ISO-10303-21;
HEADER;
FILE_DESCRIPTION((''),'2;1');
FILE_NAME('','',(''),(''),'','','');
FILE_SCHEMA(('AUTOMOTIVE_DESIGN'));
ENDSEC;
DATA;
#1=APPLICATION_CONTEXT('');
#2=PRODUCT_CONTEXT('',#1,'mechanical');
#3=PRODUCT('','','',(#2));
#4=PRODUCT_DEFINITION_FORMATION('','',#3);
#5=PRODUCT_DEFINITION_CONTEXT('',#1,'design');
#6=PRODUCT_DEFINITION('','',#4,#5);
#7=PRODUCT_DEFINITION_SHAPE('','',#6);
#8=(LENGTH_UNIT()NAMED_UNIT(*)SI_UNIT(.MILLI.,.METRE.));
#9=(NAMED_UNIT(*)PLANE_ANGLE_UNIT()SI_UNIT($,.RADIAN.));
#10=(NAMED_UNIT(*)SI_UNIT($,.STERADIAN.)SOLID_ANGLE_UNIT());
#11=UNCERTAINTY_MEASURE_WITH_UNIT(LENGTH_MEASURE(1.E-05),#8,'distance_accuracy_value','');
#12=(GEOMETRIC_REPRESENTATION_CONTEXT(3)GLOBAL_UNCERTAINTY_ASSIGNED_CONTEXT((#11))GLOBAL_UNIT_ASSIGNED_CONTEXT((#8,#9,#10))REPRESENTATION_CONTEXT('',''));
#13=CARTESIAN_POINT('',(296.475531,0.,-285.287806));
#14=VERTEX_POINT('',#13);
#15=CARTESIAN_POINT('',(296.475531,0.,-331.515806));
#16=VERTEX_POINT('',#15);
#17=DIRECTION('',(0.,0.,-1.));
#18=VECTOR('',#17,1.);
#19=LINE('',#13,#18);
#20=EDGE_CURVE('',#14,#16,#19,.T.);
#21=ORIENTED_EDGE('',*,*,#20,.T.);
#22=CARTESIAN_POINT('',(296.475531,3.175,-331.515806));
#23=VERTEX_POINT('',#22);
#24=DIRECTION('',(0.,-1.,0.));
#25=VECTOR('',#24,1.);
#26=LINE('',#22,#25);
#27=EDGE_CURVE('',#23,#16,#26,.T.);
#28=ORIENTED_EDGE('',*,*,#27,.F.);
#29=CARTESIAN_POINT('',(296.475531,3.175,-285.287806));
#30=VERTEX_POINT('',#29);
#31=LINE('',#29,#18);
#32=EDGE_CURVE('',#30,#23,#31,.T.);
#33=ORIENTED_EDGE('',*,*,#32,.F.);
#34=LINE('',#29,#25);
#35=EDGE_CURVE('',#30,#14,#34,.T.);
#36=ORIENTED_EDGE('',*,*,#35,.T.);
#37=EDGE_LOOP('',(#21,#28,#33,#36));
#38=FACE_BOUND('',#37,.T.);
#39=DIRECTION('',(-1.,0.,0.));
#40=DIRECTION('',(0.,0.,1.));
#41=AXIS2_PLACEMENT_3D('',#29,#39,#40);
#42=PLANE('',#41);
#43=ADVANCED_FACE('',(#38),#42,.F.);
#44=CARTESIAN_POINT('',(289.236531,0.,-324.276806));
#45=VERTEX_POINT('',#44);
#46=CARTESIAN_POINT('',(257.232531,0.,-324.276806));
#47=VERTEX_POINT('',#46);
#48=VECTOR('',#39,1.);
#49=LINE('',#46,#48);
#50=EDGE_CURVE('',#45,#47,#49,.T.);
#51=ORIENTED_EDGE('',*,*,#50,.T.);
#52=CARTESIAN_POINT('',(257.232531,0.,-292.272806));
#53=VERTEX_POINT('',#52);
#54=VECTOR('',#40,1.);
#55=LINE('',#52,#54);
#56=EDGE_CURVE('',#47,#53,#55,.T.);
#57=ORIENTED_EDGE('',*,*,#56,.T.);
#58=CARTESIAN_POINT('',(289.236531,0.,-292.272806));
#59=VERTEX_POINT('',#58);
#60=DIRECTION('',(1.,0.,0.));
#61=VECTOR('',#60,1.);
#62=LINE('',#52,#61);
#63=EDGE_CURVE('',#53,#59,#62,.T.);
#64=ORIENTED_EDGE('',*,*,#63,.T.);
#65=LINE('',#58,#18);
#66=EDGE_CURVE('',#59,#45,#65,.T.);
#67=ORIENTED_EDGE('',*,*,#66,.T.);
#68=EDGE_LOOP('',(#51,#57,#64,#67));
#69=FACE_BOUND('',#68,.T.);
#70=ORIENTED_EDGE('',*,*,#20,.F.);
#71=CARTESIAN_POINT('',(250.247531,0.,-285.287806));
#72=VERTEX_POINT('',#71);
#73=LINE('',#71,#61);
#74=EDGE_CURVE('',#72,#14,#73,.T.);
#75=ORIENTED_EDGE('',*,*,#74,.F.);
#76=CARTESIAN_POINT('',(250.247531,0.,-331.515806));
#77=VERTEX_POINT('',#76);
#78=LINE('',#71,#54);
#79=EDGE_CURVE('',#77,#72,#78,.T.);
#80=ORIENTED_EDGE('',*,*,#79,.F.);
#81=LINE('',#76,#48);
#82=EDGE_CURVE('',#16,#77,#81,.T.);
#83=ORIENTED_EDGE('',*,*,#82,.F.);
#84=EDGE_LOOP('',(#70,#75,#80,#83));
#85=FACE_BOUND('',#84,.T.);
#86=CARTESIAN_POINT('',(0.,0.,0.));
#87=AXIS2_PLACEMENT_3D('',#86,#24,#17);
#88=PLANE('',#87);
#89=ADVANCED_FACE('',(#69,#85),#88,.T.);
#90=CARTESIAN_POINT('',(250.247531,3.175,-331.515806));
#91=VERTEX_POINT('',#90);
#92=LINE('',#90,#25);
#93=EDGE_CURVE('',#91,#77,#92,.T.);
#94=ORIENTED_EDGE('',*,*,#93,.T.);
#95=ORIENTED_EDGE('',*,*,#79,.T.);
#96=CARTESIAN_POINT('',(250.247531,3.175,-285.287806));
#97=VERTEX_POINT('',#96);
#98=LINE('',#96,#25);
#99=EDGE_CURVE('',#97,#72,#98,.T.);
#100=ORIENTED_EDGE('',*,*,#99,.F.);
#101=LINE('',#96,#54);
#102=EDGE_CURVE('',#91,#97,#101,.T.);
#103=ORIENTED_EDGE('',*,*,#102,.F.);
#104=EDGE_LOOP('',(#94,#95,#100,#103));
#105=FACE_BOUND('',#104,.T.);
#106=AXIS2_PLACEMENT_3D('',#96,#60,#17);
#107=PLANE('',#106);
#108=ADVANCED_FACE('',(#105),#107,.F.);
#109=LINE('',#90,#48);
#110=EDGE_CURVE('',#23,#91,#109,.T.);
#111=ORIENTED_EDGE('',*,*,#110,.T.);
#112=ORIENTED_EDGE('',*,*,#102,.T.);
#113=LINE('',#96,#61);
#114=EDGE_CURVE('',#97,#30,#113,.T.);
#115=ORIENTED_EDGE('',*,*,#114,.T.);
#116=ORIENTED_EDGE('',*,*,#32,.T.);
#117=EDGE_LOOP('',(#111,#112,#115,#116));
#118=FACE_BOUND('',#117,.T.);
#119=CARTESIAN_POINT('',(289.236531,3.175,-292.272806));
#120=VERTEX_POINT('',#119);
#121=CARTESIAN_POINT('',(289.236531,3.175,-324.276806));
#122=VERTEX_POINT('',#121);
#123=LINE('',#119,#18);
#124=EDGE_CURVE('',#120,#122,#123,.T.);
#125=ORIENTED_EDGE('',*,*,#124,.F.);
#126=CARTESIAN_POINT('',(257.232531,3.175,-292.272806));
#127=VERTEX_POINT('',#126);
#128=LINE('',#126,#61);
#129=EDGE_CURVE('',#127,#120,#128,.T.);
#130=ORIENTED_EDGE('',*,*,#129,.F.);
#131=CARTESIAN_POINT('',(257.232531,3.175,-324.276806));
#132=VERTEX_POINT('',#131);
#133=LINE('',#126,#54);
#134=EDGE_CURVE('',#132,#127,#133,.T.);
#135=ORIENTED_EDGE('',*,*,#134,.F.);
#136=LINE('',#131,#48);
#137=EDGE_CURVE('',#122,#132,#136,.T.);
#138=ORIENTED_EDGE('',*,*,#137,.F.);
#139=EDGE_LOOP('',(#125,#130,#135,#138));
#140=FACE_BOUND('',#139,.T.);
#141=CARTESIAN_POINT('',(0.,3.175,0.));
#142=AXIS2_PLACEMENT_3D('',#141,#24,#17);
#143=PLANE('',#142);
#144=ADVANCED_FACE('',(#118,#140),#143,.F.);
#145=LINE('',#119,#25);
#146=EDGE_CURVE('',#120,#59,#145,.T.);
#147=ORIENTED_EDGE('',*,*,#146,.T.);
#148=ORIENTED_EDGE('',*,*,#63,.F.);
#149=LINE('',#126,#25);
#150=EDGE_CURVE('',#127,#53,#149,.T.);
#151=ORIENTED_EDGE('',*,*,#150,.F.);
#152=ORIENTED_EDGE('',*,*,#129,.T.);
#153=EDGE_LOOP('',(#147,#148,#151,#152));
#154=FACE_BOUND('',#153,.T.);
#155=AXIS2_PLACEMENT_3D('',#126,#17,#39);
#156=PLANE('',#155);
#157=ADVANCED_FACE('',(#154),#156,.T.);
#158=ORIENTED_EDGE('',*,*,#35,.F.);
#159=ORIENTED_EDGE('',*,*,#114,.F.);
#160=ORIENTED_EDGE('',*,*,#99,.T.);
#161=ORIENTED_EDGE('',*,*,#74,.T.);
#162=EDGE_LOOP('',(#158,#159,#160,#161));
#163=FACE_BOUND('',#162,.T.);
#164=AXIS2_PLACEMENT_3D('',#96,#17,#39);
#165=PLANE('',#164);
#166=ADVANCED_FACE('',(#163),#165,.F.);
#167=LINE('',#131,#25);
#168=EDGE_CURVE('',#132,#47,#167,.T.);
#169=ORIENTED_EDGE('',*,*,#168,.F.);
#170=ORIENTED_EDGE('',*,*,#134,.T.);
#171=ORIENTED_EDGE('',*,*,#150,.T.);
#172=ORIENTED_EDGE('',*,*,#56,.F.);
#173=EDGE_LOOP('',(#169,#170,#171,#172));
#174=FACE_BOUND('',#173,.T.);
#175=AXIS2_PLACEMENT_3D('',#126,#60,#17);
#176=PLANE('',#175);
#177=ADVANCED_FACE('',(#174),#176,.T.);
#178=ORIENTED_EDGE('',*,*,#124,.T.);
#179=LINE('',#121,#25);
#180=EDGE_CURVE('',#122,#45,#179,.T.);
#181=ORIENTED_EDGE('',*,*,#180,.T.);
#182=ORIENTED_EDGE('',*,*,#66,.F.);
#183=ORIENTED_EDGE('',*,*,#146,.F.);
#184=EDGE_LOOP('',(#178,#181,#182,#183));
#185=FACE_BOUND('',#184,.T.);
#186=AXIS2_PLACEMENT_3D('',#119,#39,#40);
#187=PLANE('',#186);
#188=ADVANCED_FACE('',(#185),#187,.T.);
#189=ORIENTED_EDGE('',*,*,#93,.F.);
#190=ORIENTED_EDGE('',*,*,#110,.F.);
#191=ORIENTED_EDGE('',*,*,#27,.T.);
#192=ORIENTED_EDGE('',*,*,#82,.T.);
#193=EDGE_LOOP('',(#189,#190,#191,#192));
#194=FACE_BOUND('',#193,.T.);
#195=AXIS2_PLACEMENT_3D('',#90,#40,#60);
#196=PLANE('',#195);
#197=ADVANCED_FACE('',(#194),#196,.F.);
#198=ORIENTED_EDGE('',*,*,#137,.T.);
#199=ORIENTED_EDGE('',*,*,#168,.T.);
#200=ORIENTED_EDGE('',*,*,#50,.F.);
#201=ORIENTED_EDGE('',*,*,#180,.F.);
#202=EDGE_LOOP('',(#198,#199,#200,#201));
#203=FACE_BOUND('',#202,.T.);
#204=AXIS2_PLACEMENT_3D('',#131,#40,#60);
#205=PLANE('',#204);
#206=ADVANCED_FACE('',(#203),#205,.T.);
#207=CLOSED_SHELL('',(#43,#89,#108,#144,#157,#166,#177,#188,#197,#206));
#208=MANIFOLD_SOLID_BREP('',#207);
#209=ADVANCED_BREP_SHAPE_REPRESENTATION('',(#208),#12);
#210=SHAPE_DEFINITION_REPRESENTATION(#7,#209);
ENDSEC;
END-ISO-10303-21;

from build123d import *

# Parameters (mm, degrees)
SKETCH1_W           = 46.228
SKETCH1_H           = 46.228
SKETCH1_W_2         = 32.004
SKETCH1_H_2         = 32.004
BOSS_EXTRUDE1_DEPTH = 3.175


with BuildPart() as part:
    # Sketch1 → Boss-Extrude1 (new body)
    with BuildSketch(Plane(origin=(0, 0, 0), x_dir=(1, 0, 0), z_dir=(0, 1, 0))):
        with Locations((273.361530674, 308.401805935)):
            Rectangle(SKETCH1_W, SKETCH1_H)
        with Locations((273.234530674, 308.274805935)):
            Rectangle(SKETCH1_W_2, SKETCH1_H_2, mode=Mode.SUBTRACT)
    extrude(amount=BOSS_EXTRUDE1_DEPTH)


solid = part.part
